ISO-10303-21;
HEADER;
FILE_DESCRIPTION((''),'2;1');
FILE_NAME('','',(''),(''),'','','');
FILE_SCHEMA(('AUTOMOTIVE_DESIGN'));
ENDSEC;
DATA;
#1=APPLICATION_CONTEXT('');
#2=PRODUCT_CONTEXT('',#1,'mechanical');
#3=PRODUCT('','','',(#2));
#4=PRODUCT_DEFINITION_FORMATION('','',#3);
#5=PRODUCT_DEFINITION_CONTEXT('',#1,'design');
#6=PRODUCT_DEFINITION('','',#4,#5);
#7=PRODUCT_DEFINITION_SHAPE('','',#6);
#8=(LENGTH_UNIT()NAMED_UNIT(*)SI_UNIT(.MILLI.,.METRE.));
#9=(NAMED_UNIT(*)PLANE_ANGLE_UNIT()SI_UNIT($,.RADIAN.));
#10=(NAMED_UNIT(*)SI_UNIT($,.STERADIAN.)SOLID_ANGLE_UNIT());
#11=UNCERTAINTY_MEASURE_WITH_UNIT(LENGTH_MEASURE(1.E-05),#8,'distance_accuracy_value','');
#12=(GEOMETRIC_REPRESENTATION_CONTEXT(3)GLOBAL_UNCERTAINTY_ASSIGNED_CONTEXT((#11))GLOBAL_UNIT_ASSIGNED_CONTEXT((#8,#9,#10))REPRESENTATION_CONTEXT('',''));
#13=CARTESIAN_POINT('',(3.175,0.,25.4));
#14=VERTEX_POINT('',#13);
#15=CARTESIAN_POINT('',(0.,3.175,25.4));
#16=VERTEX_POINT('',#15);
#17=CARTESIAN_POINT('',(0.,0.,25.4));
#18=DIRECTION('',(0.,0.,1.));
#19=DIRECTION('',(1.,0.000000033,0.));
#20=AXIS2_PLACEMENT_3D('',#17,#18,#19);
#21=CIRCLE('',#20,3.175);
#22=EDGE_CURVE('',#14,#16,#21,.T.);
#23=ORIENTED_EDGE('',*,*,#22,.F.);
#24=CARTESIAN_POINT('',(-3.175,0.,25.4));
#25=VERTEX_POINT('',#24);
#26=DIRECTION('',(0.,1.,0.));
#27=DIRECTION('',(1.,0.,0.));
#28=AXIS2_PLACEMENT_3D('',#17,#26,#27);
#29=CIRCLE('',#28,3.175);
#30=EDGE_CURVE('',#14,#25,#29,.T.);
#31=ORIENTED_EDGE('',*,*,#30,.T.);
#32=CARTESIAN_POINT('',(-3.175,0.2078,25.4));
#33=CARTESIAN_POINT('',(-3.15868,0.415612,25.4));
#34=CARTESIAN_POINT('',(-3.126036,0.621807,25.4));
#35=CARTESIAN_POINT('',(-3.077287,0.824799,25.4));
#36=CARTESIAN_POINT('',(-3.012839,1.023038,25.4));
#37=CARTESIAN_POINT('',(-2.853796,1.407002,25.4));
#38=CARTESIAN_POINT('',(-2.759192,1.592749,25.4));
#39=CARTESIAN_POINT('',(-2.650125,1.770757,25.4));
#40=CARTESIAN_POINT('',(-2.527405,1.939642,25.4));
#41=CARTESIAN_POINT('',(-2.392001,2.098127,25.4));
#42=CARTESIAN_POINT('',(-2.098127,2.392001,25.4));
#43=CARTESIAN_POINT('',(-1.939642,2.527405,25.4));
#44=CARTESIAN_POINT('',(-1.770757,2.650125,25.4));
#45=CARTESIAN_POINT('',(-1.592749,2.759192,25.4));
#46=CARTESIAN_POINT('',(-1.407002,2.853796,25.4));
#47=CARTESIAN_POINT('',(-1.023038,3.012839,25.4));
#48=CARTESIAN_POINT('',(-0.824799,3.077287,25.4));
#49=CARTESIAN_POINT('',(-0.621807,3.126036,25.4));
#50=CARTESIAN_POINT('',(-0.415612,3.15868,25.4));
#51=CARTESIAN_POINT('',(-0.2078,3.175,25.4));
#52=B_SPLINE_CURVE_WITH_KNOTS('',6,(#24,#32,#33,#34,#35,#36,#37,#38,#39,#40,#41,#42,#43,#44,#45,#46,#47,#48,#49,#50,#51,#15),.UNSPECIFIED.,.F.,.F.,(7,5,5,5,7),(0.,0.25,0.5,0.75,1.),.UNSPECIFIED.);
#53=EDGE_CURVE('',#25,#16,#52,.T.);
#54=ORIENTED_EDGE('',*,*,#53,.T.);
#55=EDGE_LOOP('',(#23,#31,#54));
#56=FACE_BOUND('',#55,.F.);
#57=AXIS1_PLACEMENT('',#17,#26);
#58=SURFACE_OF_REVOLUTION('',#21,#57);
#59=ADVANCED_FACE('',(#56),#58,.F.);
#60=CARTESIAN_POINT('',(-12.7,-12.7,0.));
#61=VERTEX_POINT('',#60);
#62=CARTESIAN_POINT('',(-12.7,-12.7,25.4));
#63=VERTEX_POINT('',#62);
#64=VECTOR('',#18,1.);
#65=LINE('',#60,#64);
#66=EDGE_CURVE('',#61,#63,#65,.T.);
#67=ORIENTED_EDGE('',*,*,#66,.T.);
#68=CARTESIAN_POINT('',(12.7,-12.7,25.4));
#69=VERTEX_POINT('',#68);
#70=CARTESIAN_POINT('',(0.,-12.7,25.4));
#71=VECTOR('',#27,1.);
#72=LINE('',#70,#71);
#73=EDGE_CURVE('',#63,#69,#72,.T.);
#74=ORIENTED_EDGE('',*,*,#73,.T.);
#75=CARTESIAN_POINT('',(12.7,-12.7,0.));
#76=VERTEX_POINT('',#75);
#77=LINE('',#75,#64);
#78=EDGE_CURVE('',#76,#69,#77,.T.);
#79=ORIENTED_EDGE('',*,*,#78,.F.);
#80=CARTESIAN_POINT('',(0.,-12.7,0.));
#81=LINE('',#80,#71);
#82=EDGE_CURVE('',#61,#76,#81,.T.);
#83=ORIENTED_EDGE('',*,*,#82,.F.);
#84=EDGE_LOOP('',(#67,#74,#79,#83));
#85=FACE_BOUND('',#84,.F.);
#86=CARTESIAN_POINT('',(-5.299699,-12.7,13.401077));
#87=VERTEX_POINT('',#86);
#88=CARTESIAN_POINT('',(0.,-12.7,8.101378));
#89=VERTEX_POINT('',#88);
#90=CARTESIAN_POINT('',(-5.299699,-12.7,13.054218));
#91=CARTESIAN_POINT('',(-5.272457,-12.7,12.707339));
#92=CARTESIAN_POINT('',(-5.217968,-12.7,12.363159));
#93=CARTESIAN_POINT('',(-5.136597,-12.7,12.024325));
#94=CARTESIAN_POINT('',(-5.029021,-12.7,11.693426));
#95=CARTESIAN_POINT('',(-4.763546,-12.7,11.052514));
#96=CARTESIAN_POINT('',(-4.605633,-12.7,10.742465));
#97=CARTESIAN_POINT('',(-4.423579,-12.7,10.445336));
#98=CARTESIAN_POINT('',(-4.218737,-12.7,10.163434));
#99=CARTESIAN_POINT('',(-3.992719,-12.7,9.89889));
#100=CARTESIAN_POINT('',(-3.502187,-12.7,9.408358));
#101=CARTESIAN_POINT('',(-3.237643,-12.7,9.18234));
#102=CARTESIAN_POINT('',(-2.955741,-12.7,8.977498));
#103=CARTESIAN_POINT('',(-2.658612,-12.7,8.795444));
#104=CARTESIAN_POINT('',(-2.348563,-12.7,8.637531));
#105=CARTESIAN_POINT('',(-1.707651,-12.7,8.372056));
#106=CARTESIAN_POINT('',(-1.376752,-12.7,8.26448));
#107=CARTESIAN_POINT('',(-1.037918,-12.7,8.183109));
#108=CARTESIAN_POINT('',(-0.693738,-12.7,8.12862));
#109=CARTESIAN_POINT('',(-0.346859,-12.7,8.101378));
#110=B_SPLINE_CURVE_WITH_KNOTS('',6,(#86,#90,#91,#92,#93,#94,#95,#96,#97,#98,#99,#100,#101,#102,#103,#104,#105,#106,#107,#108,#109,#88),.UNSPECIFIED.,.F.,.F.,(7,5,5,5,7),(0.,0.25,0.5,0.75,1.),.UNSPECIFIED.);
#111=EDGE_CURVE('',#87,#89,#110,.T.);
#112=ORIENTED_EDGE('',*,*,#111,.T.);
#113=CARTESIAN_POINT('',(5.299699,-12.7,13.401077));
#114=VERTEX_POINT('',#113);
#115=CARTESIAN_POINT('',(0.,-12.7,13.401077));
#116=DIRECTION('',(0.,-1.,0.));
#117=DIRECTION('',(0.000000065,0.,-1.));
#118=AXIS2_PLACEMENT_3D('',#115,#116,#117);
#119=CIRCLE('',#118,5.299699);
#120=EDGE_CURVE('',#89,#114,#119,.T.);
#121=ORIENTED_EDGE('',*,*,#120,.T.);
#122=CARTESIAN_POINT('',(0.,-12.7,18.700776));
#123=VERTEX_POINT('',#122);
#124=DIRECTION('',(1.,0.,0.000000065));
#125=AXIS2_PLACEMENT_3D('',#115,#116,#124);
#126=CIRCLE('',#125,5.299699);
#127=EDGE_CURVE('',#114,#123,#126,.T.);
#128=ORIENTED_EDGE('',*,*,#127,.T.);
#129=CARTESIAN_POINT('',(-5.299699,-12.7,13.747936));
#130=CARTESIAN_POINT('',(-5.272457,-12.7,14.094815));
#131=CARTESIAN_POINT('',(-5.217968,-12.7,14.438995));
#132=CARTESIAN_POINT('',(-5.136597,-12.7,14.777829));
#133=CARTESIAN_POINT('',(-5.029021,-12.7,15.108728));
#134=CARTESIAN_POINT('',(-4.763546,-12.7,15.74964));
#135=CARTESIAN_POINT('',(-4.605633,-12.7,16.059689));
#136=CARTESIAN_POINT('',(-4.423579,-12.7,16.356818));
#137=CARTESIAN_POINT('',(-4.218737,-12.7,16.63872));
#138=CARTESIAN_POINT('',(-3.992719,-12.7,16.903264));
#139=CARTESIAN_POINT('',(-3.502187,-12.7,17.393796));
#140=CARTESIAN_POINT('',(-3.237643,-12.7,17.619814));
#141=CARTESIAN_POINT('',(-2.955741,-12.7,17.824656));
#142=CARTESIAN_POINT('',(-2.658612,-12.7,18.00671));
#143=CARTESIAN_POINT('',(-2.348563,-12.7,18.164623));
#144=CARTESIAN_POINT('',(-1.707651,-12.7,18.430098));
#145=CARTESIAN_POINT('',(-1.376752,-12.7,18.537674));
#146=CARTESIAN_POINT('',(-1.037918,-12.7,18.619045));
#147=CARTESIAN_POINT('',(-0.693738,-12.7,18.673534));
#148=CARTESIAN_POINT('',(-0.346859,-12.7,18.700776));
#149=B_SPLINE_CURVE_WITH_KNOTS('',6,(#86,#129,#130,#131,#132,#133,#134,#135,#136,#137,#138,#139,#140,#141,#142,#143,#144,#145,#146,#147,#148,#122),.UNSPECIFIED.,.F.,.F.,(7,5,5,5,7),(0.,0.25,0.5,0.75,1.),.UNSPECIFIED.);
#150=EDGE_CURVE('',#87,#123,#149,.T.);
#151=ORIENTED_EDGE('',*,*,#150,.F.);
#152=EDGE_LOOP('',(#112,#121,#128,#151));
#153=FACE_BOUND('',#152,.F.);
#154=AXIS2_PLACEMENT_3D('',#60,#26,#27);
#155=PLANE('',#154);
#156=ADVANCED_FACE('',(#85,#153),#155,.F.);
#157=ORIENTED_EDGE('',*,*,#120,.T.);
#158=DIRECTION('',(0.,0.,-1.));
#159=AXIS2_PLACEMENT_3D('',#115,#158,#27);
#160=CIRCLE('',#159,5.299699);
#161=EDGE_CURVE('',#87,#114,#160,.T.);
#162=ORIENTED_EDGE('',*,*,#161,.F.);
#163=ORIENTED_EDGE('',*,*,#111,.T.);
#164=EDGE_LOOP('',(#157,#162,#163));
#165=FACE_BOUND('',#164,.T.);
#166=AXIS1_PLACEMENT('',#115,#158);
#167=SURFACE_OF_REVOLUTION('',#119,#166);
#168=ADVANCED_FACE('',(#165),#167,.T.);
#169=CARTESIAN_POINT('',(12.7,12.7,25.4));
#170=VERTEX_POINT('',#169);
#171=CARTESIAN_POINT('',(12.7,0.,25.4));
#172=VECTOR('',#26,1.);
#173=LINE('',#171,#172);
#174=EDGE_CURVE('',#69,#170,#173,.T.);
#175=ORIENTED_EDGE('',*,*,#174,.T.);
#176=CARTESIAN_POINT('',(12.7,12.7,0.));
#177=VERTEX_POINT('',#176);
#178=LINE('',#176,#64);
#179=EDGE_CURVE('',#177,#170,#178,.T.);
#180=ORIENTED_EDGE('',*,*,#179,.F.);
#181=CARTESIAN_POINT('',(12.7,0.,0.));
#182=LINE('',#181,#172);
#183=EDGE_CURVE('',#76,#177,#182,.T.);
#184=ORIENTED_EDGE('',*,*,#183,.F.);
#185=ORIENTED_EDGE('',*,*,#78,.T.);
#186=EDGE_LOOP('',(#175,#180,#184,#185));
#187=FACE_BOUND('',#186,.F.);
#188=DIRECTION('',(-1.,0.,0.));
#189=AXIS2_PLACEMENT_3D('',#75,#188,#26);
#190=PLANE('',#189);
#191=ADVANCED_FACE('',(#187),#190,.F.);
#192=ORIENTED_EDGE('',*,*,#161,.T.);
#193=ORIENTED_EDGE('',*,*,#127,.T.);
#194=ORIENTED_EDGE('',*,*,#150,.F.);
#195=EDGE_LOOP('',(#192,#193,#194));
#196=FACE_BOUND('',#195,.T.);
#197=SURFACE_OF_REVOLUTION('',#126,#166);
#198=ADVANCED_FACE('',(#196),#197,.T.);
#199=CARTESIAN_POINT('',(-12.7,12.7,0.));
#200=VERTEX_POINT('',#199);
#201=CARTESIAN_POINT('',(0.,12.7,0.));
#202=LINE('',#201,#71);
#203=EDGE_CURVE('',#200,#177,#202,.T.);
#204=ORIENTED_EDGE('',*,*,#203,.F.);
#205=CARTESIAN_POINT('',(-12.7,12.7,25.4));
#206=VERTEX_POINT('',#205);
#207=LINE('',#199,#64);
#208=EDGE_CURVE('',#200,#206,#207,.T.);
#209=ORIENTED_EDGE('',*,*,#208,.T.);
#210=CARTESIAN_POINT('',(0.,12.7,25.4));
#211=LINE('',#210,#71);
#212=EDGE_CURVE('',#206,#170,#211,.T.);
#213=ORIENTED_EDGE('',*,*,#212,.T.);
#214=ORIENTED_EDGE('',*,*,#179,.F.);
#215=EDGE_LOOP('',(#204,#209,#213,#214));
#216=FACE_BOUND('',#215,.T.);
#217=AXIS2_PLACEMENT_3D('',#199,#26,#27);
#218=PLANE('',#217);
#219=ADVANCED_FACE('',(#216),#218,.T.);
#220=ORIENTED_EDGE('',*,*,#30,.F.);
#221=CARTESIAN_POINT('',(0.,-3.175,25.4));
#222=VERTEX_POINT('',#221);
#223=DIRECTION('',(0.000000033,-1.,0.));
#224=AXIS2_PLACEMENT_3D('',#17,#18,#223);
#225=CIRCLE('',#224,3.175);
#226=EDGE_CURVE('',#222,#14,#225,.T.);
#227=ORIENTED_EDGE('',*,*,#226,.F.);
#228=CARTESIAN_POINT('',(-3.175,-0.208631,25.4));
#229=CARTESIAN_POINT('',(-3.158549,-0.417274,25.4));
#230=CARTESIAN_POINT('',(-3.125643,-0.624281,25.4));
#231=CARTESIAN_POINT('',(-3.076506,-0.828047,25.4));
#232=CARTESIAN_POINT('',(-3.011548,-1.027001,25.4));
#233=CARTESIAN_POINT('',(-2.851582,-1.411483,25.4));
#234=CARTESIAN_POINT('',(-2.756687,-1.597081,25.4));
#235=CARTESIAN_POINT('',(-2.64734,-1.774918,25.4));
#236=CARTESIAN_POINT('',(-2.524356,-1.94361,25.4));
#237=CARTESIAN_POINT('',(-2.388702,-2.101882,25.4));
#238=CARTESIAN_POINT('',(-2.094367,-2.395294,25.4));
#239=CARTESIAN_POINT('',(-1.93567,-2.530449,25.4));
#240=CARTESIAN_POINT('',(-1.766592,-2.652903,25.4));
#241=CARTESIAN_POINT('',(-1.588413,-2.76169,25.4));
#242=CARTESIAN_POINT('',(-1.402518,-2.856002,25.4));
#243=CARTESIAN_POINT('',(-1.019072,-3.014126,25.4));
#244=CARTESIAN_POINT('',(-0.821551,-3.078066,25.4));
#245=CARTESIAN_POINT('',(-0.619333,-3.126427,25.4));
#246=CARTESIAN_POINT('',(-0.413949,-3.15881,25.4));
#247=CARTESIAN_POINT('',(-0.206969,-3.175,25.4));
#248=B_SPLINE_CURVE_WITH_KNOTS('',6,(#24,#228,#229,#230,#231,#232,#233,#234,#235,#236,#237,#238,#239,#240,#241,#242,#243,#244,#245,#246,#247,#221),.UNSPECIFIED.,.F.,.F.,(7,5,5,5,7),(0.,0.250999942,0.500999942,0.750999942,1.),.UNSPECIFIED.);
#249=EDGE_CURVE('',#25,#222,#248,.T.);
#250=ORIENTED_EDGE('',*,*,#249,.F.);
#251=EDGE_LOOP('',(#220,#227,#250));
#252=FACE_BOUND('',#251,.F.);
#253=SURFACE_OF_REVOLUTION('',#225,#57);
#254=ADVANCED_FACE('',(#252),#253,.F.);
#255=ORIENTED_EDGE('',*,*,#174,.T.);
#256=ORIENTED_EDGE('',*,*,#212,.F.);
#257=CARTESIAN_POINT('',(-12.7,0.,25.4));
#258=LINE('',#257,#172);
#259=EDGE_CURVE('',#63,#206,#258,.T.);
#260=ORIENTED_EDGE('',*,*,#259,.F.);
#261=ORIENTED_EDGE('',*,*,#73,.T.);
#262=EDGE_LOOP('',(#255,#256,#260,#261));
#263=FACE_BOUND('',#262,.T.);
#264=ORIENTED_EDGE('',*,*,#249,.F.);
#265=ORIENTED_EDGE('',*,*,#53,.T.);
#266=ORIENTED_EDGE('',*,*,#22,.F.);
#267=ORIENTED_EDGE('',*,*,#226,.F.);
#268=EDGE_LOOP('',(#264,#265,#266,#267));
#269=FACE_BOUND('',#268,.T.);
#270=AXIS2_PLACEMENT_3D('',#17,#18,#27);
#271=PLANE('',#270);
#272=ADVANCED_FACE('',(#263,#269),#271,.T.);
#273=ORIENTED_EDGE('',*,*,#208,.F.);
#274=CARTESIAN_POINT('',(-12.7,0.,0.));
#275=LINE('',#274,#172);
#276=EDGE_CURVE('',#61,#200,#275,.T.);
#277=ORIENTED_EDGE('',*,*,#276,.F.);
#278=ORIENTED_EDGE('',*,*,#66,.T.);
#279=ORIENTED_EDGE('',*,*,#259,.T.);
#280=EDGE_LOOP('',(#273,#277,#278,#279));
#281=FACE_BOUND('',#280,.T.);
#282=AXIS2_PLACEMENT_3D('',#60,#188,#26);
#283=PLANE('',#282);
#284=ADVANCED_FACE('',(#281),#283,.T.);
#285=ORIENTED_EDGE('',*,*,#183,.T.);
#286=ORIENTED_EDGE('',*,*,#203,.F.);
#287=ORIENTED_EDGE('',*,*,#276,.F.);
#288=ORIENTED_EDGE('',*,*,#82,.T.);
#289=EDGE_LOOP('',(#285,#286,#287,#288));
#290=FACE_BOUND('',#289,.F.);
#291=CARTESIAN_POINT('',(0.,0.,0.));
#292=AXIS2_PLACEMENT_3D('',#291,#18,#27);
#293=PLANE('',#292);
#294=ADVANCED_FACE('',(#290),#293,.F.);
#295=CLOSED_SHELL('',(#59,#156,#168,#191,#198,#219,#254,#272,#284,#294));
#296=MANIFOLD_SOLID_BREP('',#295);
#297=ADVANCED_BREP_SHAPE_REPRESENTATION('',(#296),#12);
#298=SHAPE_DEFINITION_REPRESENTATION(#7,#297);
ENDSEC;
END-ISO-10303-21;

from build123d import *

# Parameters (mm, degrees)
F0_W     = 25.4
F0_H     = 25.4
F1_DEPTH = 25.4


with BuildPart() as f1:
    # F0 (on Top) → F1 (new body)
    with BuildSketch(Plane.XY):
        Rectangle(F0_W, F0_H)
    extrude(amount=F1_DEPTH)

    # F2 (on face) → F3 (revolve, cut)
    with BuildSketch(Plane.XY.offset(25.4)):
        with BuildLine():
            ThreePointArc((0, -3.175), (2.245064, -2.245064), (3.175, 0))
            ThreePointArc((3.175, 0), (2.245064, 2.245064), (0, 3.175))
            Line((0, 3.175), (0, -3.175))
        make_face()
    revolve(axis=Axis((0, 0, 25.4), (0, 1, 0)), mode=Mode.SUBTRACT)

    # F4 (on face) → F5 (revolve, cut)
    with BuildSketch(Plane.XZ.offset(12.7)):
        with BuildLine():
            ThreePointArc((0, 8.101378), (3.747453, 9.653624), (5.299699, 13.401077))
            ThreePointArc((5.299699, 13.401077), (3.747453, 17.14853), (0, 18.700776))
            Line((0, 18.700776), (0, 8.101378))
        make_face()
    revolve(axis=Axis((0, -12.7, 13.401077), (0, 0, -1)), mode=Mode.SUBTRACT)


solid = f1.part
